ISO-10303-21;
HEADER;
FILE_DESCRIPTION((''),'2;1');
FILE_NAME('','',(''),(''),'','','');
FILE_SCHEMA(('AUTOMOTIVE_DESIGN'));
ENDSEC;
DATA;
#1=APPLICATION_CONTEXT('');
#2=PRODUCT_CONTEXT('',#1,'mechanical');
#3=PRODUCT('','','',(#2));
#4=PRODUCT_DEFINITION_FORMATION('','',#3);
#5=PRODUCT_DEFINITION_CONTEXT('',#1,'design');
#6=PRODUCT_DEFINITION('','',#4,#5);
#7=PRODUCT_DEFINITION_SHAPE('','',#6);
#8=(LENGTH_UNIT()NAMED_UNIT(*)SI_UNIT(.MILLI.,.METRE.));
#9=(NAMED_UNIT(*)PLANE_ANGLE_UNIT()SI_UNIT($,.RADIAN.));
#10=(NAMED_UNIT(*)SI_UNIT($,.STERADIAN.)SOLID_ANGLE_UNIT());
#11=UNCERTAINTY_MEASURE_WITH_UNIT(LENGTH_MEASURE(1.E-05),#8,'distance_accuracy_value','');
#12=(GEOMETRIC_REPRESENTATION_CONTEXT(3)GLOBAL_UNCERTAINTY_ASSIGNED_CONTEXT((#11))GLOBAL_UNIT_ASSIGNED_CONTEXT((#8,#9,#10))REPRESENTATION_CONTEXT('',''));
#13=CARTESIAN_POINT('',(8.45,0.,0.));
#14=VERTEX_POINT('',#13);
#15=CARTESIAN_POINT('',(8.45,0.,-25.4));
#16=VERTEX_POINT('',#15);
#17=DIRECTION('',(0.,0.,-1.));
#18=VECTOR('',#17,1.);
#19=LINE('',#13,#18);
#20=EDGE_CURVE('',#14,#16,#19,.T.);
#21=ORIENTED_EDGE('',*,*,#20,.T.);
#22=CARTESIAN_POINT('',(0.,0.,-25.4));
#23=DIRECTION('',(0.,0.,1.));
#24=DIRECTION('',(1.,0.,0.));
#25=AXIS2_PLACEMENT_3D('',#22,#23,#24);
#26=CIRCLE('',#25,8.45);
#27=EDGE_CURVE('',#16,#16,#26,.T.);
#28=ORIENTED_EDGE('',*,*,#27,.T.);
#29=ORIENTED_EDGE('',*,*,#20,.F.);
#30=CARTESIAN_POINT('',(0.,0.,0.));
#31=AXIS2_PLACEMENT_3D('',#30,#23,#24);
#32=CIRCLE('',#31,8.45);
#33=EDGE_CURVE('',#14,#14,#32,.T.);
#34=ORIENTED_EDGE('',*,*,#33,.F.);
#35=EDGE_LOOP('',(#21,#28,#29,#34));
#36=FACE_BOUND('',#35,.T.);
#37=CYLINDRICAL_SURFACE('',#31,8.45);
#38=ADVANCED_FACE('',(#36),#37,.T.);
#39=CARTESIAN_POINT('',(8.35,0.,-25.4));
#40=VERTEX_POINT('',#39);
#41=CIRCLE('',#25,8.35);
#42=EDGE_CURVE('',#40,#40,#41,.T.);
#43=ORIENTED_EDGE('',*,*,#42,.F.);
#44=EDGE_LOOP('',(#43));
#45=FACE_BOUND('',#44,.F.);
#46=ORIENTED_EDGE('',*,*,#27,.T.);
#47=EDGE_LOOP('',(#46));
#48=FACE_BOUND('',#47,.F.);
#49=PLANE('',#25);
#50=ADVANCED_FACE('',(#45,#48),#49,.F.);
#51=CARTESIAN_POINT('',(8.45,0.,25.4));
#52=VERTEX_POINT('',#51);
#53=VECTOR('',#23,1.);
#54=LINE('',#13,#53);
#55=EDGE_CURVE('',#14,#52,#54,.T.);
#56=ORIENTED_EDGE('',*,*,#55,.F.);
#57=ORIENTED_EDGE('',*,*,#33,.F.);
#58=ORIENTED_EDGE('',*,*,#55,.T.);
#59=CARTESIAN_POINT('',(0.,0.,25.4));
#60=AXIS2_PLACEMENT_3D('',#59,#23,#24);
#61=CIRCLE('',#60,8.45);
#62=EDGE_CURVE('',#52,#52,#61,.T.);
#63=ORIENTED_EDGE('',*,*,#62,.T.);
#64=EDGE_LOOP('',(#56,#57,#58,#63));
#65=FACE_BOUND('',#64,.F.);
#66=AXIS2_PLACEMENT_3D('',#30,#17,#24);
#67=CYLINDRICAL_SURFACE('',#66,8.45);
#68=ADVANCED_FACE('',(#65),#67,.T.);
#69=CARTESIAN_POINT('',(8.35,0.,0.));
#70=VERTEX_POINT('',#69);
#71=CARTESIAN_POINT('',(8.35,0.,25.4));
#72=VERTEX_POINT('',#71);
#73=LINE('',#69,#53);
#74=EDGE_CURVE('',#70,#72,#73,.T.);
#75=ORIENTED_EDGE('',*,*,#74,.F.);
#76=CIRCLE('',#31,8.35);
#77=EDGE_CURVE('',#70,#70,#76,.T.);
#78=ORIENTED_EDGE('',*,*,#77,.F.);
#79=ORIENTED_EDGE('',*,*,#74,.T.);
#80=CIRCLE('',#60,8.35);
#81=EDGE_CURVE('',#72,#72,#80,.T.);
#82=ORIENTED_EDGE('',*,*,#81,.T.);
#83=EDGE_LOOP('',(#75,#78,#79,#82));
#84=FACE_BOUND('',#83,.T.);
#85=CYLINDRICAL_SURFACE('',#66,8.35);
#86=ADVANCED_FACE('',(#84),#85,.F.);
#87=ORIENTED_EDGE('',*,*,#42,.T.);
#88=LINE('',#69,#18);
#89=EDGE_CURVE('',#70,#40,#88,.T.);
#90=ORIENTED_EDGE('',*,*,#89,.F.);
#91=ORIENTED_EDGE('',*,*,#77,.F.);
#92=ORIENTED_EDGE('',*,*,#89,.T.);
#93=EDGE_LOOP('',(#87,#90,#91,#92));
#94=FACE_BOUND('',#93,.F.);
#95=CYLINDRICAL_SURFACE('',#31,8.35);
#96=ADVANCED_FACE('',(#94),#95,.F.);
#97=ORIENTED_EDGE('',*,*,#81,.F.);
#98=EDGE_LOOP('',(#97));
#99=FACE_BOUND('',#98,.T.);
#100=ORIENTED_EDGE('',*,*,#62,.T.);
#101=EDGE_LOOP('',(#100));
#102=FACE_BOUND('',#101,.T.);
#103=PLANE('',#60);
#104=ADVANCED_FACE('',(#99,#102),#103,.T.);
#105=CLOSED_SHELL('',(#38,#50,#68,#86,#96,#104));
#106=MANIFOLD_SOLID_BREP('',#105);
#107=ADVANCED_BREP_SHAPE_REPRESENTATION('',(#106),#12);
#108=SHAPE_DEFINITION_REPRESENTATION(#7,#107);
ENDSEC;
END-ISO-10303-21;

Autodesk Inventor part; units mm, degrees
ref_plane "YZ Plane" through (0, 0, 0) normal (1, 0, 0) x (0, 1, 0)
ref_plane "XZ Plane" through (0, 0, 0) normal (0, 1, 0) x (-1, 0, 0)
ref_plane "XY Plane" through (0, 0, 0) normal (0, 0, 1) x (1, 0, 0)
sketch "Sketch1" plane through (0, 0, 0) normal (0, 0, 1) x (1, 0, 0)
  circle A0 centre (0, 0) radius 8.35
  circle A1 centre (0, 0) radius 8.45
  dimension "d0" = 16.7
  dimension "d1" = 0.1
extrude "Extrusion1" add sketch "Sketch1" along normal mid plane 50.8
properties part number "kapton_wrap_battery" material "Acetal Resin, Black"
